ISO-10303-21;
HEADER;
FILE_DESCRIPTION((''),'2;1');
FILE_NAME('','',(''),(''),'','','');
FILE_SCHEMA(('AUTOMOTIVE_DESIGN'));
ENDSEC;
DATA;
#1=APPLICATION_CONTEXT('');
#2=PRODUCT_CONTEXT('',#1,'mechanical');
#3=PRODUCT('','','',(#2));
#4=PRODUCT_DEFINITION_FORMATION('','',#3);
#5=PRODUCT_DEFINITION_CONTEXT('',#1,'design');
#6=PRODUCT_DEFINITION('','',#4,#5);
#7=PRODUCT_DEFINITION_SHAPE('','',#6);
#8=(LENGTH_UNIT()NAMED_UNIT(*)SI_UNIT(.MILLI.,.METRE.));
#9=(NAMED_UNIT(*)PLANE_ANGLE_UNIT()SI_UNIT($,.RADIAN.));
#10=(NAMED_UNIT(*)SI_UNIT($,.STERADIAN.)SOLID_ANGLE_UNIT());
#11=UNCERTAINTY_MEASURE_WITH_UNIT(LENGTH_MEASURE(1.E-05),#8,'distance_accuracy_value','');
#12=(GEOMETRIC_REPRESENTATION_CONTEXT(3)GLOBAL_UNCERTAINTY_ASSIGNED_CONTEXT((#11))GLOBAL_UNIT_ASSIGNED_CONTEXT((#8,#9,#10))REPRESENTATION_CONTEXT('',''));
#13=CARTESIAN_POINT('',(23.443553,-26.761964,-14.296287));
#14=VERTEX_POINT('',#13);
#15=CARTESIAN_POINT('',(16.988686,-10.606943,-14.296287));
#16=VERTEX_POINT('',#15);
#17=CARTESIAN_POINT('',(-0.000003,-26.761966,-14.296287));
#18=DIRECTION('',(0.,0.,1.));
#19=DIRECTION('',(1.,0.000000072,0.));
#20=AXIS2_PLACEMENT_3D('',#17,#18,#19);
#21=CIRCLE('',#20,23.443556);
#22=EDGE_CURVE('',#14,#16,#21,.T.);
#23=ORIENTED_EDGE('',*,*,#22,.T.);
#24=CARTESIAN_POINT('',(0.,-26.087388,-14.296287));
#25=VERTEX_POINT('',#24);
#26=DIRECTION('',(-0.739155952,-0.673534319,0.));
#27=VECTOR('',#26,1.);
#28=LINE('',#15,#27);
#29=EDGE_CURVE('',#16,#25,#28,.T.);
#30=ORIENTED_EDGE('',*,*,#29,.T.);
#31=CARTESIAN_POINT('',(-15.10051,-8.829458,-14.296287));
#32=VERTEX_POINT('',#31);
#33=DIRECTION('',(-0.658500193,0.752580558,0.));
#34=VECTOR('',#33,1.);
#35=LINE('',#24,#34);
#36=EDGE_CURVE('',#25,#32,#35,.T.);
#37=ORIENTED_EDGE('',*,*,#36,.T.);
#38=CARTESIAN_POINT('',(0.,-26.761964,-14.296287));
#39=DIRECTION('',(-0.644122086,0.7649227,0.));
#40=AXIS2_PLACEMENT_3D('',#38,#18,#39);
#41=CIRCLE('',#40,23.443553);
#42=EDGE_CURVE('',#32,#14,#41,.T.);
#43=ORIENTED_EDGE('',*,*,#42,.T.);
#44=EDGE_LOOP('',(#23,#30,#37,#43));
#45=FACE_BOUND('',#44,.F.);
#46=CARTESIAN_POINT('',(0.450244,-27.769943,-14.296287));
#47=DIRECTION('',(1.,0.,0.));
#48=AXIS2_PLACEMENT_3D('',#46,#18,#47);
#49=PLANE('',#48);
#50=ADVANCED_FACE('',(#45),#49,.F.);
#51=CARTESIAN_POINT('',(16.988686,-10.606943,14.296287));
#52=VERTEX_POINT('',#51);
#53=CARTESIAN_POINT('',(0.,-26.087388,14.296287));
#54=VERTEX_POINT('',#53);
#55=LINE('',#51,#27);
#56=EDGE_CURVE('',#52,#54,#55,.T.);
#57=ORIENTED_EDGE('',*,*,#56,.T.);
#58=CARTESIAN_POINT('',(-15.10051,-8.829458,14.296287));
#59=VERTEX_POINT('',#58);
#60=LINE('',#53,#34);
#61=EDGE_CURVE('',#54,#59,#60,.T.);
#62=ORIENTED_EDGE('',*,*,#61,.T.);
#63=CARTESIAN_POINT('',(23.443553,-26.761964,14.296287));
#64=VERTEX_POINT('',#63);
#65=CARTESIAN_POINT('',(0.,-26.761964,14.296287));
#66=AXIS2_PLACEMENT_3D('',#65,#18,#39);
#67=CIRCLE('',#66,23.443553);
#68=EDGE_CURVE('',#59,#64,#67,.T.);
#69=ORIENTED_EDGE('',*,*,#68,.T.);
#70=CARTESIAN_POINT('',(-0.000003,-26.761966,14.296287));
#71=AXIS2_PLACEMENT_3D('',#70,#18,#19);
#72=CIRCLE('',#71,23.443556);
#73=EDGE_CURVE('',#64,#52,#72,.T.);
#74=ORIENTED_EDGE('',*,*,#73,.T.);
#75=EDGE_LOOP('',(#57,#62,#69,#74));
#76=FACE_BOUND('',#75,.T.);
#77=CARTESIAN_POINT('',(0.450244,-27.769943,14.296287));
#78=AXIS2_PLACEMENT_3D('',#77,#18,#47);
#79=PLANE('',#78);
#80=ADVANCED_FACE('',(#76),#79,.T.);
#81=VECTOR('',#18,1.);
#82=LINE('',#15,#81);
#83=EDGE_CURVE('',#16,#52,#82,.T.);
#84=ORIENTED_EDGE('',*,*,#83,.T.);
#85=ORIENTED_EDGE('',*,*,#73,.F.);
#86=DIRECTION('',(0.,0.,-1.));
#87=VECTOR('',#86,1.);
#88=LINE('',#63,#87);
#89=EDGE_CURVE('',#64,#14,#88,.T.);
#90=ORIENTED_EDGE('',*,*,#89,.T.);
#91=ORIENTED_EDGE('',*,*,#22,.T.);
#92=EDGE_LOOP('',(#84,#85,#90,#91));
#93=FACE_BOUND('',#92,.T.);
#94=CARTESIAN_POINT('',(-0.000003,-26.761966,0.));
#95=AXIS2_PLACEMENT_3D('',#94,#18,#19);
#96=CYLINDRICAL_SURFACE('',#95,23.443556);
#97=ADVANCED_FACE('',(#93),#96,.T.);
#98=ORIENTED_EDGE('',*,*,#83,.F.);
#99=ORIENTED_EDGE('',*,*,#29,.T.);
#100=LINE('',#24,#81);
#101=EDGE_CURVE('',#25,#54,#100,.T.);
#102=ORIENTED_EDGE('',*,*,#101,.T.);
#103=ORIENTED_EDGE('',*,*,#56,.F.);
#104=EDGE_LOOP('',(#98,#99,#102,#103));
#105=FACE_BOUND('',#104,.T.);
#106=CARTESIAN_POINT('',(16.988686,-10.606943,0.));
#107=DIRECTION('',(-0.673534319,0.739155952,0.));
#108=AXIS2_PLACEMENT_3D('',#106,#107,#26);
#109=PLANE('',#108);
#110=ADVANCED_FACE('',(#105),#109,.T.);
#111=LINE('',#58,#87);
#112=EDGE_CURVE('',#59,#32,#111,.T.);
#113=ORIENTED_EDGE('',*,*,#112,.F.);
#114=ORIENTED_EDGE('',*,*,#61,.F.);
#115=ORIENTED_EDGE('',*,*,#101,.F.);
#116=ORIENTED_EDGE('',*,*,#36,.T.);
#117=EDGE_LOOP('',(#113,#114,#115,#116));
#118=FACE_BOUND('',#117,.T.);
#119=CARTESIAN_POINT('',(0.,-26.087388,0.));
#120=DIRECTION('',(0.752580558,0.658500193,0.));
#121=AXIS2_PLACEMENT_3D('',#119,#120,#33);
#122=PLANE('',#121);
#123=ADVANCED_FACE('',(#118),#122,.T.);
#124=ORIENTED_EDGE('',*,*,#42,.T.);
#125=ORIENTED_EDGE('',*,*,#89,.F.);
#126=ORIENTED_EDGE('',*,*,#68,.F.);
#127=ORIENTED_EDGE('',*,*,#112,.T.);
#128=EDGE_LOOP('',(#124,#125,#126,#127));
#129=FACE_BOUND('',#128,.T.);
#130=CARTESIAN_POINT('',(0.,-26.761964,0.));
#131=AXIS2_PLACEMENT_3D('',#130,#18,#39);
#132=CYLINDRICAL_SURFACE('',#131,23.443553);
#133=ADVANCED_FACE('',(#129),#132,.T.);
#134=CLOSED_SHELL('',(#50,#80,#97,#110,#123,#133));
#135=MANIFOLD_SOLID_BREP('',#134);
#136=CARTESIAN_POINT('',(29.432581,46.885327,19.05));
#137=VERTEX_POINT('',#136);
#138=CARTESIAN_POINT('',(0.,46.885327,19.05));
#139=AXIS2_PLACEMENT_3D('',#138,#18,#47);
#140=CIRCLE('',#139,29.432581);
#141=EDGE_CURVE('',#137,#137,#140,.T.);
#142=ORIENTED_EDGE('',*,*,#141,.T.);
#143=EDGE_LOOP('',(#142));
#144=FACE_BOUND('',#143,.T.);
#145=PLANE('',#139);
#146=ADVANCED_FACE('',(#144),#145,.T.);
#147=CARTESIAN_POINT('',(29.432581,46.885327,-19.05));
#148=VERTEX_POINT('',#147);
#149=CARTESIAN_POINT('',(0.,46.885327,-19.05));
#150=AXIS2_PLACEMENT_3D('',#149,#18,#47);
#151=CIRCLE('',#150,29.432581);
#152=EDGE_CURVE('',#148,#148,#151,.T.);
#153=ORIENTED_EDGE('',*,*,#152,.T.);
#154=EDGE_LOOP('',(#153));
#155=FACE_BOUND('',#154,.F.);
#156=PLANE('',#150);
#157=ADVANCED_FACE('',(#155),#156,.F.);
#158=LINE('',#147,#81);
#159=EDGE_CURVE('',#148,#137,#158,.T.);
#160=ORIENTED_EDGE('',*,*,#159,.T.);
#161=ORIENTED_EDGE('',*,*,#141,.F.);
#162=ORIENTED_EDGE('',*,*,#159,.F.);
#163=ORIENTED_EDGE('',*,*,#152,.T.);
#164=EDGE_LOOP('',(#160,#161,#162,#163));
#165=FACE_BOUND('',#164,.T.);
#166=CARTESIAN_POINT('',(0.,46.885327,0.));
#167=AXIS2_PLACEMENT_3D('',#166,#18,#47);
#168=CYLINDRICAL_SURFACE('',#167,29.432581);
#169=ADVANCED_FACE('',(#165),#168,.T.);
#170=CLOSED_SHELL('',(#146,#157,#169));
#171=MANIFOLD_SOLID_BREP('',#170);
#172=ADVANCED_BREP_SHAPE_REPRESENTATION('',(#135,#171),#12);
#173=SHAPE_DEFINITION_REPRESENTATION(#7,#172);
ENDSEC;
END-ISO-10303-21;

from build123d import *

# Parameters (mm, degrees)
F2_DEPTH = 14.296287
F0_R     = 29.432581
F3_DEPTH = 19.05


with BuildPart() as f2:
    # F1 (on face) → F2 (new body, symmetric)
    with BuildSketch(Plane.XY):
        with BuildLine():
            ThreePointArc((23.443553, -26.761964), (21.770109, -18.063544), (16.988686, -10.606943))
            Line((16.988686, -10.606943), (0, -26.087388))
            Line((0, -26.087388), (-15.10051, -8.829458))
            ThreePointArc((-15.10051, -8.829458), (-9.88915, -48.017666), (23.443553, -26.761964))
        make_face()
    extrude(amount=F2_DEPTH, both=True)


with BuildPart() as f3:
    # F0 (on Top) → F3 (new body, symmetric)
    with BuildSketch(Plane.XY):
        with Locations((0, 46.885327)):
            Circle(F0_R)
    extrude(amount=F3_DEPTH, both=True)


solid = Compound([f2.part, f3.part])
